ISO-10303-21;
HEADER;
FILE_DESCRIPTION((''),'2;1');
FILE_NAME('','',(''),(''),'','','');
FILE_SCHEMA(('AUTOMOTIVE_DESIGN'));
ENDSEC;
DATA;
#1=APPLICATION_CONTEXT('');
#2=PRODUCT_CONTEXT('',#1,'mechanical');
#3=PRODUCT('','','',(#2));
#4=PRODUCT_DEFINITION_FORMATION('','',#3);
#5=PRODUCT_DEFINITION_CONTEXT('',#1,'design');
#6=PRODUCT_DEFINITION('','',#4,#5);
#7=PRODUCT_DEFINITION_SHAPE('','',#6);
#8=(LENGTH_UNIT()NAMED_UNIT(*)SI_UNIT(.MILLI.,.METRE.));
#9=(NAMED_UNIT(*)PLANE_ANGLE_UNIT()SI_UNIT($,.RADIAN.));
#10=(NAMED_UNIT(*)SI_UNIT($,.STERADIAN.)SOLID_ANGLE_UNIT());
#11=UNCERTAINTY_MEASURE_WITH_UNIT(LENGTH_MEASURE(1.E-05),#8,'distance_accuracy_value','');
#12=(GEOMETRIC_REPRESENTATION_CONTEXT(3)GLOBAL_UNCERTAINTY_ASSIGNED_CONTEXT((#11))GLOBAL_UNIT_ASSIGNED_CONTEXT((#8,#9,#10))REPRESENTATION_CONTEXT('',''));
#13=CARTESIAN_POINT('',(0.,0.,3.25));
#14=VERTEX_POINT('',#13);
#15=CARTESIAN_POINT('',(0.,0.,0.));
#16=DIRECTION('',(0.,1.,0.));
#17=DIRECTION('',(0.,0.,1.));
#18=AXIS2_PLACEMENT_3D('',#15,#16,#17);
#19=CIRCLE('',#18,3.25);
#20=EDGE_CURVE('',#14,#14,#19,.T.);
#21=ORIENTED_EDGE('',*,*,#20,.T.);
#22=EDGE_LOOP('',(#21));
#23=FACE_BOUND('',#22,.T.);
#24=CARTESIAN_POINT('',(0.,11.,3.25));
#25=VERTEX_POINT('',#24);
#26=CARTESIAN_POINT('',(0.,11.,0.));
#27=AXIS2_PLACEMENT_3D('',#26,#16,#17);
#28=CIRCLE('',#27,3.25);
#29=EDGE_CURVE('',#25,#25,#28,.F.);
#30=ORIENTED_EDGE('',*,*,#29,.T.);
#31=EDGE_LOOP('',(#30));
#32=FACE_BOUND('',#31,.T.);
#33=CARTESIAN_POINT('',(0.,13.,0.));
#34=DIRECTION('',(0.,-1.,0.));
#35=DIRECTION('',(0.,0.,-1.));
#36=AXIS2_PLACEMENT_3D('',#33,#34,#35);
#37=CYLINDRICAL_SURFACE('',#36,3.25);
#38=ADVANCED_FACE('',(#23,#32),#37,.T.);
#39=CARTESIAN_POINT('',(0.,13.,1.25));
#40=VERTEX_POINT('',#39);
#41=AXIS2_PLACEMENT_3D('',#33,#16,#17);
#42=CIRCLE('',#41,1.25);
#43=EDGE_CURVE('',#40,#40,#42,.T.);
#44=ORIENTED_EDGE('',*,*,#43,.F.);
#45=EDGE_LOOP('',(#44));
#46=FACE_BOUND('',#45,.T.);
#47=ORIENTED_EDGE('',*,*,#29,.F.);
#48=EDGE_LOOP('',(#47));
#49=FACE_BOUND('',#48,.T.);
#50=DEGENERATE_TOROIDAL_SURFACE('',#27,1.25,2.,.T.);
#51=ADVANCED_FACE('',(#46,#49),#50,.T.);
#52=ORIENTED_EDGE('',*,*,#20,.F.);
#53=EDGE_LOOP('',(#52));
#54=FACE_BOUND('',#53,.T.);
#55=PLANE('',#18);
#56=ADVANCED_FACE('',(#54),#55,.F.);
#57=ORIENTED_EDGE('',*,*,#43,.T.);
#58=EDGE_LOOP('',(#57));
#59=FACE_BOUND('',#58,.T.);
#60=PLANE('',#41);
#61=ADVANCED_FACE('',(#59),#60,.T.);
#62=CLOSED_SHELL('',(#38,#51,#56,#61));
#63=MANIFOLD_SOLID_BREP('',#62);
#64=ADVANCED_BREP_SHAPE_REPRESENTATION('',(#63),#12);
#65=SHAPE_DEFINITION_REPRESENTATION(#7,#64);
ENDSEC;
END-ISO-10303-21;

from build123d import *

# Parameters (mm, degrees)
SKETCH1_R           = 3.25
BOSS_EXTRUDE1_DEPTH = 13
FILLET2_R           = 2


with BuildPart() as part:
    # Sketch1 → Boss-Extrude1 (new body)
    with BuildSketch(Plane(origin=(0, 0, 0), x_dir=(1, 0, 0), z_dir=(0, 1, 0))):
        with Locations(Location((0, 0, 0), (0, 0, 270))):
            Circle(SKETCH1_R)
    extrude(amount=BOSS_EXTRUDE1_DEPTH)

    # Fillet2
    fillet2_edges = [part.edges().sort_by_distance(p)[0] for p in [
        (0, 13, -3.25),
    ]]
    fillet(fillet2_edges, radius=FILLET2_R)


solid = part.part
